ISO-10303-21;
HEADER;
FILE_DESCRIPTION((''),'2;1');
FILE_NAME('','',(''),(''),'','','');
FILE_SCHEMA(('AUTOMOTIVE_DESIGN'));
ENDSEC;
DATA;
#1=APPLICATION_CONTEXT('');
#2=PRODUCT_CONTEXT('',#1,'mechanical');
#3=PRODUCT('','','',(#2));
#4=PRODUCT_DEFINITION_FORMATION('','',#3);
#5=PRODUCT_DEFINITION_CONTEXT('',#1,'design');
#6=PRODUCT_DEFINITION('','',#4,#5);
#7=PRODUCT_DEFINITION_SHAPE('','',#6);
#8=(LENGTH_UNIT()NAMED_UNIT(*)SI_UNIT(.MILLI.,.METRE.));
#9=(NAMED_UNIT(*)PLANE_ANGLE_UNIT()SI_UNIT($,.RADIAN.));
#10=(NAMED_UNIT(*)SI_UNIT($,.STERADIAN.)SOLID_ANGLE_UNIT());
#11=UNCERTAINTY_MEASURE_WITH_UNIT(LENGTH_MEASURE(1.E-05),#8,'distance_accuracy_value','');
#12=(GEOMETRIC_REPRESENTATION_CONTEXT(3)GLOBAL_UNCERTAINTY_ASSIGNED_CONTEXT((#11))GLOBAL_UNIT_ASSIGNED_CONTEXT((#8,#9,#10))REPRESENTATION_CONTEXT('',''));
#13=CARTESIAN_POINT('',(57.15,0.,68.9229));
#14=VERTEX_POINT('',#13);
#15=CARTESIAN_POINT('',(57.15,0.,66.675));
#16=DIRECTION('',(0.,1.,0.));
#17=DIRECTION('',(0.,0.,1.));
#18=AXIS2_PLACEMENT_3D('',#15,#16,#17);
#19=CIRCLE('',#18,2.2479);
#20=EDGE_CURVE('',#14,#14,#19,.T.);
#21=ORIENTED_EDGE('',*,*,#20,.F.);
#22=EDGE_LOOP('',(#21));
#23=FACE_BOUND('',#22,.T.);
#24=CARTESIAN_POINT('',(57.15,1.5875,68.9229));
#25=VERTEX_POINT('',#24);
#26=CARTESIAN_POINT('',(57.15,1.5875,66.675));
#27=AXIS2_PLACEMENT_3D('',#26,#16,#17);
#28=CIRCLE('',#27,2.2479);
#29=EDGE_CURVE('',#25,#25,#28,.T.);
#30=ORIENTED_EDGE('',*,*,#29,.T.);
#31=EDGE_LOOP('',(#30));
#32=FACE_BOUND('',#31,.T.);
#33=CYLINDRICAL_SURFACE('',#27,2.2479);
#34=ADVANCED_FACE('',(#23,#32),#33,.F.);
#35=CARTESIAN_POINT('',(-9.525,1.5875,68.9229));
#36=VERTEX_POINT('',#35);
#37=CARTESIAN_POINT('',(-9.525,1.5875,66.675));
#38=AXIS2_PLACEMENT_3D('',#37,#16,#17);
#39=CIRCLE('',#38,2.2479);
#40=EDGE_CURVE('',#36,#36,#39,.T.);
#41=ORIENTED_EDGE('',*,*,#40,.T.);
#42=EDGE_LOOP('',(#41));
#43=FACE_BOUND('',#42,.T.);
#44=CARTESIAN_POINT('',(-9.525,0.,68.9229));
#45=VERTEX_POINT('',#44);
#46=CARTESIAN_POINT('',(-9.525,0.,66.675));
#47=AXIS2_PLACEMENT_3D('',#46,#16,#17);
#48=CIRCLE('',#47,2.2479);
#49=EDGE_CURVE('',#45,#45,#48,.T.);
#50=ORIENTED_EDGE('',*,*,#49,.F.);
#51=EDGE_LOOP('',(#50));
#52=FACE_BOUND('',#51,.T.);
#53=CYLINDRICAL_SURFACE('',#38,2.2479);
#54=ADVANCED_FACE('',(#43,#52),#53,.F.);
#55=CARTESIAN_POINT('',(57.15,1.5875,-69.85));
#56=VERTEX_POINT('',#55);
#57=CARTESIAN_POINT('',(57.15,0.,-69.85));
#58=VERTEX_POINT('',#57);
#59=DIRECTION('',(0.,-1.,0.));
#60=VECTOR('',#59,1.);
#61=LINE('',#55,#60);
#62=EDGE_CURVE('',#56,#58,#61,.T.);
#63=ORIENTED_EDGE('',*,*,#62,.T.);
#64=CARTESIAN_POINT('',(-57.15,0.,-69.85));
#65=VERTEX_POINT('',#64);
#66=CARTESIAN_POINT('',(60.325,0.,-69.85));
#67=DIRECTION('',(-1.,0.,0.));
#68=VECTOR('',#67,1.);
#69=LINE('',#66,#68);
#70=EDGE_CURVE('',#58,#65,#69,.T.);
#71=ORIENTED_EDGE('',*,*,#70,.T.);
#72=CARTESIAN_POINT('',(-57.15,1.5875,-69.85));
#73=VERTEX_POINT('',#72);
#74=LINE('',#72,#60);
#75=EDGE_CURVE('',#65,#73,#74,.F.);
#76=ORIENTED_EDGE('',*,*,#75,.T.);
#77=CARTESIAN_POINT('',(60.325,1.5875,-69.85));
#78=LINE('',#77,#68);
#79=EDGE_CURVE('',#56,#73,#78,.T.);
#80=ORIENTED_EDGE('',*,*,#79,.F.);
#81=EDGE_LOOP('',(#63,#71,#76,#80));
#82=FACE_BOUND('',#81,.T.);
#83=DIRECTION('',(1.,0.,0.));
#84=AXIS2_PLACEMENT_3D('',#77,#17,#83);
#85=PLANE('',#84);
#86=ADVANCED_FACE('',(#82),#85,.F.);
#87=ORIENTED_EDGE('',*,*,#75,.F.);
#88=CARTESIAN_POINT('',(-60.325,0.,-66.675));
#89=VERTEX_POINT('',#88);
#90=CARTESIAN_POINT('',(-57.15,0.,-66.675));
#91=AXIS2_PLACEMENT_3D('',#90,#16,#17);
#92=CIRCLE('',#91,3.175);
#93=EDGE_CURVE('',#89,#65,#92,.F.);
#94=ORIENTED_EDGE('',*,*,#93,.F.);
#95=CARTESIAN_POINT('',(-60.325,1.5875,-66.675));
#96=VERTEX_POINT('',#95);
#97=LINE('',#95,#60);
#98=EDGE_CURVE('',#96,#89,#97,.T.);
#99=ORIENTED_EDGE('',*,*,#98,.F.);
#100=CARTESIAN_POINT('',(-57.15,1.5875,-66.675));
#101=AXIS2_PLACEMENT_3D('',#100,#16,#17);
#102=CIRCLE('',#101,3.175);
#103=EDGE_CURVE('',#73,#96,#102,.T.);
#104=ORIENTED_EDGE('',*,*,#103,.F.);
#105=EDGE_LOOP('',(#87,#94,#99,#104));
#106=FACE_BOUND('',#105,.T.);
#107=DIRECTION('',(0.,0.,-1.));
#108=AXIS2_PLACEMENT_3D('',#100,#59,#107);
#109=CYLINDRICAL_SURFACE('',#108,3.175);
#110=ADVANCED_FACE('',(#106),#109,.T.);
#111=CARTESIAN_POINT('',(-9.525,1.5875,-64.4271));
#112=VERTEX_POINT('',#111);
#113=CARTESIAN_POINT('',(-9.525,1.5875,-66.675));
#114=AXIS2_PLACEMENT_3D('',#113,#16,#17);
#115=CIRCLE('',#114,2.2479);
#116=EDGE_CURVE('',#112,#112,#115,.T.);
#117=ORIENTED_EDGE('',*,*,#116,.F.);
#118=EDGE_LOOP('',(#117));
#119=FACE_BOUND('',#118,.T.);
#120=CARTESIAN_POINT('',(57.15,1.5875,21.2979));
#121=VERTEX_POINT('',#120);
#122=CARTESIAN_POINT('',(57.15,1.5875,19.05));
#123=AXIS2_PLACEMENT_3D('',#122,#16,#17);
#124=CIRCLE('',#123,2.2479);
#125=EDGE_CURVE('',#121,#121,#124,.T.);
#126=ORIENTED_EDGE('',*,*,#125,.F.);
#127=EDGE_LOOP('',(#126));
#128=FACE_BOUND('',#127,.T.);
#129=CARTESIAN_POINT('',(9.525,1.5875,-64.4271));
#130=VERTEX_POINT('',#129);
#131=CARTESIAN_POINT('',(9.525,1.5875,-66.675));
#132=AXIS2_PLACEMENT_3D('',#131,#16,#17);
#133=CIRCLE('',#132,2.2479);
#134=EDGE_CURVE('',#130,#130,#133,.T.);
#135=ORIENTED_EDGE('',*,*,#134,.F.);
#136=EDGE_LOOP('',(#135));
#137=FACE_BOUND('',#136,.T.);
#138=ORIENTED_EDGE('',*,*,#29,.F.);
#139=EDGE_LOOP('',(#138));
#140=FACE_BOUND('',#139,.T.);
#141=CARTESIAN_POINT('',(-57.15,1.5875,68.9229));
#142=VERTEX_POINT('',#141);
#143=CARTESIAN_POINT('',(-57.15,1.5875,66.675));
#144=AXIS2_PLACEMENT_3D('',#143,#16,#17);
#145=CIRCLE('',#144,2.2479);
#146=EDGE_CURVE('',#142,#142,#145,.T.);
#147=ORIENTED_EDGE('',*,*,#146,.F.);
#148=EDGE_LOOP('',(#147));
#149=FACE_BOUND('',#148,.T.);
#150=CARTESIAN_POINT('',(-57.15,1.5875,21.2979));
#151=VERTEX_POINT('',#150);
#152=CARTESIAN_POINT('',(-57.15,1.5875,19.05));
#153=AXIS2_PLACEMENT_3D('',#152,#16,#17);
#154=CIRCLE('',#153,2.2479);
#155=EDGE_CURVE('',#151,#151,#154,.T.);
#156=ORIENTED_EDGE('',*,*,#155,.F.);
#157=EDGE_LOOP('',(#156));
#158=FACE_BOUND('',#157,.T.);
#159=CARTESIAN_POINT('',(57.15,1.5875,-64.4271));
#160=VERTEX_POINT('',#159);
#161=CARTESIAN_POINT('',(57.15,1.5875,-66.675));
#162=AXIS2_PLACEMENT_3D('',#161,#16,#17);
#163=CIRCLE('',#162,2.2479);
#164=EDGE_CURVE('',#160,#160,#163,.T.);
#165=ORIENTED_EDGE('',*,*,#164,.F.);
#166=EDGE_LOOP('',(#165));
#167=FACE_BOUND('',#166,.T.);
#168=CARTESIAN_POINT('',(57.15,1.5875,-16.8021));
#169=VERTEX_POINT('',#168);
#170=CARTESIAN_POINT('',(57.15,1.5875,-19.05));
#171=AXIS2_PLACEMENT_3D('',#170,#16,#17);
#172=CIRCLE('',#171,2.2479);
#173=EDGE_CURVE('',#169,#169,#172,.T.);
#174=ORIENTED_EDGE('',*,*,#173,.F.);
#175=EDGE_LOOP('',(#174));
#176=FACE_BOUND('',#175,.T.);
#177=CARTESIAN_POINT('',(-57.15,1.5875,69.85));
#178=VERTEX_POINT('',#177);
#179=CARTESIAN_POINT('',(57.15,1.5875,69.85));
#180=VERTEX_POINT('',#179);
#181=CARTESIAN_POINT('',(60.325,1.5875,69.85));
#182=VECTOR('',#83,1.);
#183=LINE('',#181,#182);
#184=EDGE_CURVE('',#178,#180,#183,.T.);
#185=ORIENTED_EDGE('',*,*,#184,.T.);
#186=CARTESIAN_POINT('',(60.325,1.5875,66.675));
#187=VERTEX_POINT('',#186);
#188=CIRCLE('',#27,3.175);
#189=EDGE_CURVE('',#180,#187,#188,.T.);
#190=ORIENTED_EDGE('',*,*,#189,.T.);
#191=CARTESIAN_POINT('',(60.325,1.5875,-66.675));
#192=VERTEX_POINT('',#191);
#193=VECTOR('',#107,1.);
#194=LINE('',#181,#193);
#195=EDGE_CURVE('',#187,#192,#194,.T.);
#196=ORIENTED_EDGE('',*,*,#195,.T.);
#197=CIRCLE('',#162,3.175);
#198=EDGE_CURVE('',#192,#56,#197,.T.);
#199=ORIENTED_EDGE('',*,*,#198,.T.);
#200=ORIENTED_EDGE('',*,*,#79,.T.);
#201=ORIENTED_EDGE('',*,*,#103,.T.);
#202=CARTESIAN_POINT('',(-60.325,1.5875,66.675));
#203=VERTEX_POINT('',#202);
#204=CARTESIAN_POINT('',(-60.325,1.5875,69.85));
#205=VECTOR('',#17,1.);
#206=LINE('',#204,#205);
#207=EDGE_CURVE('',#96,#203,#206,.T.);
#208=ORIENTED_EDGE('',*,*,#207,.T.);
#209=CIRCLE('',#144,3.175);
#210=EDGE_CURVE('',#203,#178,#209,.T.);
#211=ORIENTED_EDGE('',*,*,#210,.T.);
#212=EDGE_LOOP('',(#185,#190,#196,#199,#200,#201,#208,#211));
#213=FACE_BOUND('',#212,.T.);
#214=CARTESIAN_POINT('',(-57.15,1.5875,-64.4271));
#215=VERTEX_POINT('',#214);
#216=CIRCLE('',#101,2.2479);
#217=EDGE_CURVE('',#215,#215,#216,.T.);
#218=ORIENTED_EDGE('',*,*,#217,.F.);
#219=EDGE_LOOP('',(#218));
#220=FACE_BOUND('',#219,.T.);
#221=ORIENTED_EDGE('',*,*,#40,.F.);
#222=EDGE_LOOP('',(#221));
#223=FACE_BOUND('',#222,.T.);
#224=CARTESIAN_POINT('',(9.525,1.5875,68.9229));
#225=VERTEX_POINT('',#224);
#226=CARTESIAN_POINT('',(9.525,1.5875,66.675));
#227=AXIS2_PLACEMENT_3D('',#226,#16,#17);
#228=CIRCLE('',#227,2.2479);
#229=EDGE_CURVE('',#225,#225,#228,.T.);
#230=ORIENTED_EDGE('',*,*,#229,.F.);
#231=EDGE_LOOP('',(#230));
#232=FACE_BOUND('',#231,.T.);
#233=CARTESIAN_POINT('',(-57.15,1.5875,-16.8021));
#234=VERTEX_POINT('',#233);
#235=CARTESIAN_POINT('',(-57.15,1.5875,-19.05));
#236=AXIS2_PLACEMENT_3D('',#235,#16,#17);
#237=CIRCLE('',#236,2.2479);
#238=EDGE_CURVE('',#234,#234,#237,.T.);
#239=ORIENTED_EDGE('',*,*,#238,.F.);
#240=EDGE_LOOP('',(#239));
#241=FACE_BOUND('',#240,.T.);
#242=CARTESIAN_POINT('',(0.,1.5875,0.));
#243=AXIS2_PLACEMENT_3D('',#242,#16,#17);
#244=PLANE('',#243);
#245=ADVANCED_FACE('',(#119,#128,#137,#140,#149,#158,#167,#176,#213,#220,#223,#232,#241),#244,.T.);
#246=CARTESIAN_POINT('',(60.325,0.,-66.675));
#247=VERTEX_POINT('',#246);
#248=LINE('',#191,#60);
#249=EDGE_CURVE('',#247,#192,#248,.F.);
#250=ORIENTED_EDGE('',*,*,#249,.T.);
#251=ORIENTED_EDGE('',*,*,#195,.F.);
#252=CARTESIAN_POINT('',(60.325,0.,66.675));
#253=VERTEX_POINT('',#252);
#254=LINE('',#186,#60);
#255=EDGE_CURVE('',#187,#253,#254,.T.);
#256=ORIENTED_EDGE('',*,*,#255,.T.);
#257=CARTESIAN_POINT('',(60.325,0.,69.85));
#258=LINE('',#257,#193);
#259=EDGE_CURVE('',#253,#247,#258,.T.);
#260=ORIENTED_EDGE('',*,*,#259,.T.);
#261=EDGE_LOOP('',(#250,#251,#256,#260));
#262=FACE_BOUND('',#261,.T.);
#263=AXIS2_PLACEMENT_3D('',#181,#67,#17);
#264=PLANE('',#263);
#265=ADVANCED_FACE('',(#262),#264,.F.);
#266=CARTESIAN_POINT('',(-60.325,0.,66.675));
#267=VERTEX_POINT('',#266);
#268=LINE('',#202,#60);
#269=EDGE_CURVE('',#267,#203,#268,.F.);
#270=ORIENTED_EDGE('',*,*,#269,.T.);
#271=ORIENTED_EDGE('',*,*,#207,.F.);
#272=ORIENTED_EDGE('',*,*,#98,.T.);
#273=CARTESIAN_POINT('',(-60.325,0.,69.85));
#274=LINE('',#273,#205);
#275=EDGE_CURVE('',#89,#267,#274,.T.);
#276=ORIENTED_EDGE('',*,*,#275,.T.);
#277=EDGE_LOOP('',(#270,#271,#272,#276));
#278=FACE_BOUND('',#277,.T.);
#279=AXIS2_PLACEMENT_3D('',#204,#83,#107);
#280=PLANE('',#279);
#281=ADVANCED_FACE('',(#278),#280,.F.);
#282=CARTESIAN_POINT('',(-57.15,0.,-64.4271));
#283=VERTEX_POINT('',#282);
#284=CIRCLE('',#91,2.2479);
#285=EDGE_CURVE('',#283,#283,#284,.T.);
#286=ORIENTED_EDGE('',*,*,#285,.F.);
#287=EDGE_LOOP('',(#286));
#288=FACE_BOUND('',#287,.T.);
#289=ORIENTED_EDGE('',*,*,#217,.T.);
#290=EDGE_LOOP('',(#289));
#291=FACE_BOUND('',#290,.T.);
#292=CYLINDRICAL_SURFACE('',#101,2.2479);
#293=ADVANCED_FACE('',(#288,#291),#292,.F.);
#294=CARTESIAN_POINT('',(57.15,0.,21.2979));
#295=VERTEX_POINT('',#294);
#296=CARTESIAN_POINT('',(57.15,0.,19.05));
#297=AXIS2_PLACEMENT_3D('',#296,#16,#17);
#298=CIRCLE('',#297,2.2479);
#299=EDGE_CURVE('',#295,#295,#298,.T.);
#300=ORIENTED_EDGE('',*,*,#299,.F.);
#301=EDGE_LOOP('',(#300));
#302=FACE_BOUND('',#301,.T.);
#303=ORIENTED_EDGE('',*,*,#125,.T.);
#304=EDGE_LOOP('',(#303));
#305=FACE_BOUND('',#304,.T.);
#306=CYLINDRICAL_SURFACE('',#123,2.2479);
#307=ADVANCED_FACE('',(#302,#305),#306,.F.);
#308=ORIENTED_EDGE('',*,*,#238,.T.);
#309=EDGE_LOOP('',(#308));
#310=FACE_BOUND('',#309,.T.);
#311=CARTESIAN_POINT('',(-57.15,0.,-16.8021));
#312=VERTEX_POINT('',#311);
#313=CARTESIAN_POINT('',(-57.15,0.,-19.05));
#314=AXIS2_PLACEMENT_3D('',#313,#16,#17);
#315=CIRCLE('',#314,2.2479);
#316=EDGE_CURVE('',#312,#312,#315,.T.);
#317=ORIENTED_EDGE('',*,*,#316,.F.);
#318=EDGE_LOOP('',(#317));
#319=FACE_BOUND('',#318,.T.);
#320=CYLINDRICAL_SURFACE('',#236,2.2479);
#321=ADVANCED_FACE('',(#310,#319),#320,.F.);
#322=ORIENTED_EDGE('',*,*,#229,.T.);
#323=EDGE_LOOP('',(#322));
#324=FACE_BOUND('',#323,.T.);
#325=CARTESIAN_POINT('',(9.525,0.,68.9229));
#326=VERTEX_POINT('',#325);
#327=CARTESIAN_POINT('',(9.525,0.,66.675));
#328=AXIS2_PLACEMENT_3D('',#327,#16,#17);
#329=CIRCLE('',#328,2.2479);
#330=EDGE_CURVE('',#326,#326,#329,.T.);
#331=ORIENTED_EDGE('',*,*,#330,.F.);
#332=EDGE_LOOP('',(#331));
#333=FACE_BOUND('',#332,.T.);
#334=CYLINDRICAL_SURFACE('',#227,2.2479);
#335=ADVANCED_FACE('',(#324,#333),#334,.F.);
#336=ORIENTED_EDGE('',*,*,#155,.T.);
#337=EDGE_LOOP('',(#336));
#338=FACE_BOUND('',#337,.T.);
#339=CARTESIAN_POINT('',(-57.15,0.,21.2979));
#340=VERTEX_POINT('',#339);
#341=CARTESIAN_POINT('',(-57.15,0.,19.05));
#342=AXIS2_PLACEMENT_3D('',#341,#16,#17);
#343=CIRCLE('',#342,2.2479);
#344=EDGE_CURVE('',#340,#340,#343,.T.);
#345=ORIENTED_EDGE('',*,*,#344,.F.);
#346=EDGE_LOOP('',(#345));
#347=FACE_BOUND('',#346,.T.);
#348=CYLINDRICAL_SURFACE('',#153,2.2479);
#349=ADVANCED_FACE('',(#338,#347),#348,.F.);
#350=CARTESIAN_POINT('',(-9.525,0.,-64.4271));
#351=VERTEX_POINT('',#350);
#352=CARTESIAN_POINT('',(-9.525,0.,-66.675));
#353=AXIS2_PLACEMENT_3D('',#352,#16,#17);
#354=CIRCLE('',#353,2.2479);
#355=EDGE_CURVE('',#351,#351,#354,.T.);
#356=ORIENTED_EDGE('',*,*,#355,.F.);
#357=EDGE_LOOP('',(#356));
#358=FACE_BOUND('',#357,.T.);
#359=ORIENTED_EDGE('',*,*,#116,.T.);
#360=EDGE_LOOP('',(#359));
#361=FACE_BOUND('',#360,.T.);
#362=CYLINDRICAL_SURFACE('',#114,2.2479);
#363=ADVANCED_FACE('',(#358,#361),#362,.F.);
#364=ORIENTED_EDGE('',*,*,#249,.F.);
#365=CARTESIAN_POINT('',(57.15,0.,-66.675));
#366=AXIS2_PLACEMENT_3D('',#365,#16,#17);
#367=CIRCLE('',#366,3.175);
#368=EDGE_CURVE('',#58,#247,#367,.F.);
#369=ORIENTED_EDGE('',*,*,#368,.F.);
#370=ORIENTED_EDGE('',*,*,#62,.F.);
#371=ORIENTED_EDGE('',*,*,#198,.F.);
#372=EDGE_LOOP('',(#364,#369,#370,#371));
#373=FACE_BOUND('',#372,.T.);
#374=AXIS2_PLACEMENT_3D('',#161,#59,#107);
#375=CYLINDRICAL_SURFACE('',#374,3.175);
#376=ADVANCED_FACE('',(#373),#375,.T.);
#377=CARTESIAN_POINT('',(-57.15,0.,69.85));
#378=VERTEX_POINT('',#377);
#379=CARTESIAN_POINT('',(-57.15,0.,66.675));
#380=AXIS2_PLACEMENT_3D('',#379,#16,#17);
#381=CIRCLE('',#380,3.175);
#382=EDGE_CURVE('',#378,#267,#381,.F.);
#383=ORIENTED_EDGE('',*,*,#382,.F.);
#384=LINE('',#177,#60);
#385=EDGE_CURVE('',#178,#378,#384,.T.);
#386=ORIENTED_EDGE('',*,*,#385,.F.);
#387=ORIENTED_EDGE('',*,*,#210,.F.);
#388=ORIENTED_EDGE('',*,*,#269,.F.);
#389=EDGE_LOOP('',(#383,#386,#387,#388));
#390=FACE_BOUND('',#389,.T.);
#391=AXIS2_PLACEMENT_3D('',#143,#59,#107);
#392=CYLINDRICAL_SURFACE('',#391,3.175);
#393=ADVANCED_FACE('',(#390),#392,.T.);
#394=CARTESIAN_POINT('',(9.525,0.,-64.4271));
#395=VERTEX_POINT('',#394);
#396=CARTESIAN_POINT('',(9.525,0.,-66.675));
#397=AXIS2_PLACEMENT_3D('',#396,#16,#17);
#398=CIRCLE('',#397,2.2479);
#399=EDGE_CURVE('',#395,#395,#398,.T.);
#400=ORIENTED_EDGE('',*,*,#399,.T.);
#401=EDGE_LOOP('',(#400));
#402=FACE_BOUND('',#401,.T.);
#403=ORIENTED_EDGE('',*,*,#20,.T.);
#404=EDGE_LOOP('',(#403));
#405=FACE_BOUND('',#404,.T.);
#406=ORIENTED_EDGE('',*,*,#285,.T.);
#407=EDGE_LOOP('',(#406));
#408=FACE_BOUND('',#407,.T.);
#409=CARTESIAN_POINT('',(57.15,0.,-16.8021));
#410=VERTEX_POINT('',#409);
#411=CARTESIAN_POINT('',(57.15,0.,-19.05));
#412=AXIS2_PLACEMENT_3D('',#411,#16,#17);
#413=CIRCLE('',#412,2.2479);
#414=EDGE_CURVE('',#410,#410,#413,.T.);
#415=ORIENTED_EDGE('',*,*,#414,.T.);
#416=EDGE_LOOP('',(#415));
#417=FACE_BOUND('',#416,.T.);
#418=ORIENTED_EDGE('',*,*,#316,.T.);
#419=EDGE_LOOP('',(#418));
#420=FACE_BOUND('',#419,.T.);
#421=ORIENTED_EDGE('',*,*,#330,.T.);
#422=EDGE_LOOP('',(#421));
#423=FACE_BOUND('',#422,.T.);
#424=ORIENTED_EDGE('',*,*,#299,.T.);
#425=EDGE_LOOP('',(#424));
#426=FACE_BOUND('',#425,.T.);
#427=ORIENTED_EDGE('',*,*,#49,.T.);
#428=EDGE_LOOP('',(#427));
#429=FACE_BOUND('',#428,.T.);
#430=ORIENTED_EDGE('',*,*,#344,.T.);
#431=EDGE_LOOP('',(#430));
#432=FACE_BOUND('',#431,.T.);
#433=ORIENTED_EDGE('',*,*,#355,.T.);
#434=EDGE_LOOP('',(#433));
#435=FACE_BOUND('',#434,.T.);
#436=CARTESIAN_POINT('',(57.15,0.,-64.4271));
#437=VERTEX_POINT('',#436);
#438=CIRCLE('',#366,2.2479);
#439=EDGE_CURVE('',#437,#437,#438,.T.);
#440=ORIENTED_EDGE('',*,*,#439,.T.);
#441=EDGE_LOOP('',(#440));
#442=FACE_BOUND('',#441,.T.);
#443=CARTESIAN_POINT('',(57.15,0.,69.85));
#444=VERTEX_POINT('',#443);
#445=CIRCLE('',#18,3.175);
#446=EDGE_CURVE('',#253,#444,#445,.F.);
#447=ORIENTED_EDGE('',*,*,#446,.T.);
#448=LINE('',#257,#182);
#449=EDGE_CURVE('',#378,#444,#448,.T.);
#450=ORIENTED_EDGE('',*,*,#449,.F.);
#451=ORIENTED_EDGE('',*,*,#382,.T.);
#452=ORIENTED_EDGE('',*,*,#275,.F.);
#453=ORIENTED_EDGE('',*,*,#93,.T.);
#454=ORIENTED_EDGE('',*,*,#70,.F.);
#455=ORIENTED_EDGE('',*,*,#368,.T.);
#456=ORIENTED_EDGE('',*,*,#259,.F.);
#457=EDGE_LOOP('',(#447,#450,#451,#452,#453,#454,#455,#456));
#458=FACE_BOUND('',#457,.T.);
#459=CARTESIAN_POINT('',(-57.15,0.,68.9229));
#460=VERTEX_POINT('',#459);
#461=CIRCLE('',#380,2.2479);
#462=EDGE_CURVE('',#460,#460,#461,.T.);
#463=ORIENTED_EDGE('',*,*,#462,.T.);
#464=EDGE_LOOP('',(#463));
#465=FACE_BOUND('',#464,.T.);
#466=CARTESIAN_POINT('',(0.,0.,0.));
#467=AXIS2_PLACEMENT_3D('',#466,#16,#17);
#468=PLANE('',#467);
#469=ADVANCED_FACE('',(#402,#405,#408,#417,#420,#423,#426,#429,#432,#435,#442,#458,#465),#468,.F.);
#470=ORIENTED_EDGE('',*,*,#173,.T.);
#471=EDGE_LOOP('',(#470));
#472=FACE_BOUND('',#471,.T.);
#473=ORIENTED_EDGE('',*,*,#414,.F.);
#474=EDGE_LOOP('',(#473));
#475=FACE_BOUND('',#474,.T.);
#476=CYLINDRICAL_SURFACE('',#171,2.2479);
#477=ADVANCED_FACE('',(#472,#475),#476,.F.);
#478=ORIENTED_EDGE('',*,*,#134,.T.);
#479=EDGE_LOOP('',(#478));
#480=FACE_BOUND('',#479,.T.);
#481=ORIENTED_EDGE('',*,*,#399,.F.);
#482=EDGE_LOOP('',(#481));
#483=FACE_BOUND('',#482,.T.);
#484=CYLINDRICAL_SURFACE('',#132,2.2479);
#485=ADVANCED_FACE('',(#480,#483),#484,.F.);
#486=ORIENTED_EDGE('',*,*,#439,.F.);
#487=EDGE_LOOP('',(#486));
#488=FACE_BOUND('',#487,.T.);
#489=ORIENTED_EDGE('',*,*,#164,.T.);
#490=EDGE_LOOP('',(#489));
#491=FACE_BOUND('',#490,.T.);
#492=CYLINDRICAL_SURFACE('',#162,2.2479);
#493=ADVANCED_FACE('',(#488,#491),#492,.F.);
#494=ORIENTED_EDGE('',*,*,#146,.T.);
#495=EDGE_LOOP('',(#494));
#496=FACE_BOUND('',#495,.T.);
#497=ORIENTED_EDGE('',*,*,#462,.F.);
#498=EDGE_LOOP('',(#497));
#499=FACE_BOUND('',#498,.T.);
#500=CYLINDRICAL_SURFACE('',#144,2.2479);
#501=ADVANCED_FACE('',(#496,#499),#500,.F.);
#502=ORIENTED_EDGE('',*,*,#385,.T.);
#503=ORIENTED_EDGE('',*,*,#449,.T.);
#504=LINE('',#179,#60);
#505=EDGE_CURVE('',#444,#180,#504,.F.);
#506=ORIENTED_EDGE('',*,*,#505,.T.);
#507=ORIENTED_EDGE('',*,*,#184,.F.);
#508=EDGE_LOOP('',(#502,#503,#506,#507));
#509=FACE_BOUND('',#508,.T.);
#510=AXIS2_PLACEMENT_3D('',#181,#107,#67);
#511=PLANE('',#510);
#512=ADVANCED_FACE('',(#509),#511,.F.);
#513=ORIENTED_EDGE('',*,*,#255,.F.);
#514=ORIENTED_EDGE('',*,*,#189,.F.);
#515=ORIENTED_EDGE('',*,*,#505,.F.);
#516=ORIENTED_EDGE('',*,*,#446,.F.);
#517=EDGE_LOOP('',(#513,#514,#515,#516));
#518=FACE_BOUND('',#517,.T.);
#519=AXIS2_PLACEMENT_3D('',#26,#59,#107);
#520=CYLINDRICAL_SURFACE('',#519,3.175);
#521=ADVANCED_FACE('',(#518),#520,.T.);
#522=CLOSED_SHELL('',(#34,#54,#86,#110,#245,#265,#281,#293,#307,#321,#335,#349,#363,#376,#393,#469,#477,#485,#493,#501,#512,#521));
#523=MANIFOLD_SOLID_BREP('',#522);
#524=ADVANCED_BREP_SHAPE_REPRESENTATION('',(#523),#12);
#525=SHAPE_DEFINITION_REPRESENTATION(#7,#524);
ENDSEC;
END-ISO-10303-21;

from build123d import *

# Parameters (mm, degrees)
SKETCH1_W             = 120.65
SKETCH1_H             = 139.7
BOSS_EXTRUDE1_DEPTH   = 1.5875
F_8_CLEARANCE_HOLE1_D = 4.4958
FILLET1_R             = 3.175


with BuildPart() as part:
    # Sketch1 → Boss-Extrude1 (new body)
    with BuildSketch(Plane(origin=(0, 0, 0), x_dir=(1, 0, 0), z_dir=(0, 1, 0))):
        Rectangle(SKETCH1_W, SKETCH1_H)
    extrude(amount=BOSS_EXTRUDE1_DEPTH)

    # #8 Clearance Hole1 (through all)
    with Locations(Plane(origin=(0, 1.5875, 0), x_dir=(1, 0, 0), z_dir=(0, 1, 0))):
        with Locations((-57.15, 66.675), (-57.15, 19.05), (-57.15, -19.05), (-57.15, -66.675), (-9.525, -66.675), (9.525, -66.675), (57.15, -66.675), (57.15, -19.05), (57.15, 19.05), (57.15, 66.675), (9.525, 66.675), (-9.525, 66.675)):
            Hole(F_8_CLEARANCE_HOLE1_D / 2)

    # Fillet1
    fillet1_edges = [part.edges().sort_by_distance(p)[0] for p in [
        (-60.325, 0.79375, -69.85),
        (60.325, 0.79375, -69.85),
        (60.325, 0.79375, 69.85),
        (-60.325, 0.79375, 69.85),
    ]]
    fillet(fillet1_edges, radius=FILLET1_R)


solid = part.part
